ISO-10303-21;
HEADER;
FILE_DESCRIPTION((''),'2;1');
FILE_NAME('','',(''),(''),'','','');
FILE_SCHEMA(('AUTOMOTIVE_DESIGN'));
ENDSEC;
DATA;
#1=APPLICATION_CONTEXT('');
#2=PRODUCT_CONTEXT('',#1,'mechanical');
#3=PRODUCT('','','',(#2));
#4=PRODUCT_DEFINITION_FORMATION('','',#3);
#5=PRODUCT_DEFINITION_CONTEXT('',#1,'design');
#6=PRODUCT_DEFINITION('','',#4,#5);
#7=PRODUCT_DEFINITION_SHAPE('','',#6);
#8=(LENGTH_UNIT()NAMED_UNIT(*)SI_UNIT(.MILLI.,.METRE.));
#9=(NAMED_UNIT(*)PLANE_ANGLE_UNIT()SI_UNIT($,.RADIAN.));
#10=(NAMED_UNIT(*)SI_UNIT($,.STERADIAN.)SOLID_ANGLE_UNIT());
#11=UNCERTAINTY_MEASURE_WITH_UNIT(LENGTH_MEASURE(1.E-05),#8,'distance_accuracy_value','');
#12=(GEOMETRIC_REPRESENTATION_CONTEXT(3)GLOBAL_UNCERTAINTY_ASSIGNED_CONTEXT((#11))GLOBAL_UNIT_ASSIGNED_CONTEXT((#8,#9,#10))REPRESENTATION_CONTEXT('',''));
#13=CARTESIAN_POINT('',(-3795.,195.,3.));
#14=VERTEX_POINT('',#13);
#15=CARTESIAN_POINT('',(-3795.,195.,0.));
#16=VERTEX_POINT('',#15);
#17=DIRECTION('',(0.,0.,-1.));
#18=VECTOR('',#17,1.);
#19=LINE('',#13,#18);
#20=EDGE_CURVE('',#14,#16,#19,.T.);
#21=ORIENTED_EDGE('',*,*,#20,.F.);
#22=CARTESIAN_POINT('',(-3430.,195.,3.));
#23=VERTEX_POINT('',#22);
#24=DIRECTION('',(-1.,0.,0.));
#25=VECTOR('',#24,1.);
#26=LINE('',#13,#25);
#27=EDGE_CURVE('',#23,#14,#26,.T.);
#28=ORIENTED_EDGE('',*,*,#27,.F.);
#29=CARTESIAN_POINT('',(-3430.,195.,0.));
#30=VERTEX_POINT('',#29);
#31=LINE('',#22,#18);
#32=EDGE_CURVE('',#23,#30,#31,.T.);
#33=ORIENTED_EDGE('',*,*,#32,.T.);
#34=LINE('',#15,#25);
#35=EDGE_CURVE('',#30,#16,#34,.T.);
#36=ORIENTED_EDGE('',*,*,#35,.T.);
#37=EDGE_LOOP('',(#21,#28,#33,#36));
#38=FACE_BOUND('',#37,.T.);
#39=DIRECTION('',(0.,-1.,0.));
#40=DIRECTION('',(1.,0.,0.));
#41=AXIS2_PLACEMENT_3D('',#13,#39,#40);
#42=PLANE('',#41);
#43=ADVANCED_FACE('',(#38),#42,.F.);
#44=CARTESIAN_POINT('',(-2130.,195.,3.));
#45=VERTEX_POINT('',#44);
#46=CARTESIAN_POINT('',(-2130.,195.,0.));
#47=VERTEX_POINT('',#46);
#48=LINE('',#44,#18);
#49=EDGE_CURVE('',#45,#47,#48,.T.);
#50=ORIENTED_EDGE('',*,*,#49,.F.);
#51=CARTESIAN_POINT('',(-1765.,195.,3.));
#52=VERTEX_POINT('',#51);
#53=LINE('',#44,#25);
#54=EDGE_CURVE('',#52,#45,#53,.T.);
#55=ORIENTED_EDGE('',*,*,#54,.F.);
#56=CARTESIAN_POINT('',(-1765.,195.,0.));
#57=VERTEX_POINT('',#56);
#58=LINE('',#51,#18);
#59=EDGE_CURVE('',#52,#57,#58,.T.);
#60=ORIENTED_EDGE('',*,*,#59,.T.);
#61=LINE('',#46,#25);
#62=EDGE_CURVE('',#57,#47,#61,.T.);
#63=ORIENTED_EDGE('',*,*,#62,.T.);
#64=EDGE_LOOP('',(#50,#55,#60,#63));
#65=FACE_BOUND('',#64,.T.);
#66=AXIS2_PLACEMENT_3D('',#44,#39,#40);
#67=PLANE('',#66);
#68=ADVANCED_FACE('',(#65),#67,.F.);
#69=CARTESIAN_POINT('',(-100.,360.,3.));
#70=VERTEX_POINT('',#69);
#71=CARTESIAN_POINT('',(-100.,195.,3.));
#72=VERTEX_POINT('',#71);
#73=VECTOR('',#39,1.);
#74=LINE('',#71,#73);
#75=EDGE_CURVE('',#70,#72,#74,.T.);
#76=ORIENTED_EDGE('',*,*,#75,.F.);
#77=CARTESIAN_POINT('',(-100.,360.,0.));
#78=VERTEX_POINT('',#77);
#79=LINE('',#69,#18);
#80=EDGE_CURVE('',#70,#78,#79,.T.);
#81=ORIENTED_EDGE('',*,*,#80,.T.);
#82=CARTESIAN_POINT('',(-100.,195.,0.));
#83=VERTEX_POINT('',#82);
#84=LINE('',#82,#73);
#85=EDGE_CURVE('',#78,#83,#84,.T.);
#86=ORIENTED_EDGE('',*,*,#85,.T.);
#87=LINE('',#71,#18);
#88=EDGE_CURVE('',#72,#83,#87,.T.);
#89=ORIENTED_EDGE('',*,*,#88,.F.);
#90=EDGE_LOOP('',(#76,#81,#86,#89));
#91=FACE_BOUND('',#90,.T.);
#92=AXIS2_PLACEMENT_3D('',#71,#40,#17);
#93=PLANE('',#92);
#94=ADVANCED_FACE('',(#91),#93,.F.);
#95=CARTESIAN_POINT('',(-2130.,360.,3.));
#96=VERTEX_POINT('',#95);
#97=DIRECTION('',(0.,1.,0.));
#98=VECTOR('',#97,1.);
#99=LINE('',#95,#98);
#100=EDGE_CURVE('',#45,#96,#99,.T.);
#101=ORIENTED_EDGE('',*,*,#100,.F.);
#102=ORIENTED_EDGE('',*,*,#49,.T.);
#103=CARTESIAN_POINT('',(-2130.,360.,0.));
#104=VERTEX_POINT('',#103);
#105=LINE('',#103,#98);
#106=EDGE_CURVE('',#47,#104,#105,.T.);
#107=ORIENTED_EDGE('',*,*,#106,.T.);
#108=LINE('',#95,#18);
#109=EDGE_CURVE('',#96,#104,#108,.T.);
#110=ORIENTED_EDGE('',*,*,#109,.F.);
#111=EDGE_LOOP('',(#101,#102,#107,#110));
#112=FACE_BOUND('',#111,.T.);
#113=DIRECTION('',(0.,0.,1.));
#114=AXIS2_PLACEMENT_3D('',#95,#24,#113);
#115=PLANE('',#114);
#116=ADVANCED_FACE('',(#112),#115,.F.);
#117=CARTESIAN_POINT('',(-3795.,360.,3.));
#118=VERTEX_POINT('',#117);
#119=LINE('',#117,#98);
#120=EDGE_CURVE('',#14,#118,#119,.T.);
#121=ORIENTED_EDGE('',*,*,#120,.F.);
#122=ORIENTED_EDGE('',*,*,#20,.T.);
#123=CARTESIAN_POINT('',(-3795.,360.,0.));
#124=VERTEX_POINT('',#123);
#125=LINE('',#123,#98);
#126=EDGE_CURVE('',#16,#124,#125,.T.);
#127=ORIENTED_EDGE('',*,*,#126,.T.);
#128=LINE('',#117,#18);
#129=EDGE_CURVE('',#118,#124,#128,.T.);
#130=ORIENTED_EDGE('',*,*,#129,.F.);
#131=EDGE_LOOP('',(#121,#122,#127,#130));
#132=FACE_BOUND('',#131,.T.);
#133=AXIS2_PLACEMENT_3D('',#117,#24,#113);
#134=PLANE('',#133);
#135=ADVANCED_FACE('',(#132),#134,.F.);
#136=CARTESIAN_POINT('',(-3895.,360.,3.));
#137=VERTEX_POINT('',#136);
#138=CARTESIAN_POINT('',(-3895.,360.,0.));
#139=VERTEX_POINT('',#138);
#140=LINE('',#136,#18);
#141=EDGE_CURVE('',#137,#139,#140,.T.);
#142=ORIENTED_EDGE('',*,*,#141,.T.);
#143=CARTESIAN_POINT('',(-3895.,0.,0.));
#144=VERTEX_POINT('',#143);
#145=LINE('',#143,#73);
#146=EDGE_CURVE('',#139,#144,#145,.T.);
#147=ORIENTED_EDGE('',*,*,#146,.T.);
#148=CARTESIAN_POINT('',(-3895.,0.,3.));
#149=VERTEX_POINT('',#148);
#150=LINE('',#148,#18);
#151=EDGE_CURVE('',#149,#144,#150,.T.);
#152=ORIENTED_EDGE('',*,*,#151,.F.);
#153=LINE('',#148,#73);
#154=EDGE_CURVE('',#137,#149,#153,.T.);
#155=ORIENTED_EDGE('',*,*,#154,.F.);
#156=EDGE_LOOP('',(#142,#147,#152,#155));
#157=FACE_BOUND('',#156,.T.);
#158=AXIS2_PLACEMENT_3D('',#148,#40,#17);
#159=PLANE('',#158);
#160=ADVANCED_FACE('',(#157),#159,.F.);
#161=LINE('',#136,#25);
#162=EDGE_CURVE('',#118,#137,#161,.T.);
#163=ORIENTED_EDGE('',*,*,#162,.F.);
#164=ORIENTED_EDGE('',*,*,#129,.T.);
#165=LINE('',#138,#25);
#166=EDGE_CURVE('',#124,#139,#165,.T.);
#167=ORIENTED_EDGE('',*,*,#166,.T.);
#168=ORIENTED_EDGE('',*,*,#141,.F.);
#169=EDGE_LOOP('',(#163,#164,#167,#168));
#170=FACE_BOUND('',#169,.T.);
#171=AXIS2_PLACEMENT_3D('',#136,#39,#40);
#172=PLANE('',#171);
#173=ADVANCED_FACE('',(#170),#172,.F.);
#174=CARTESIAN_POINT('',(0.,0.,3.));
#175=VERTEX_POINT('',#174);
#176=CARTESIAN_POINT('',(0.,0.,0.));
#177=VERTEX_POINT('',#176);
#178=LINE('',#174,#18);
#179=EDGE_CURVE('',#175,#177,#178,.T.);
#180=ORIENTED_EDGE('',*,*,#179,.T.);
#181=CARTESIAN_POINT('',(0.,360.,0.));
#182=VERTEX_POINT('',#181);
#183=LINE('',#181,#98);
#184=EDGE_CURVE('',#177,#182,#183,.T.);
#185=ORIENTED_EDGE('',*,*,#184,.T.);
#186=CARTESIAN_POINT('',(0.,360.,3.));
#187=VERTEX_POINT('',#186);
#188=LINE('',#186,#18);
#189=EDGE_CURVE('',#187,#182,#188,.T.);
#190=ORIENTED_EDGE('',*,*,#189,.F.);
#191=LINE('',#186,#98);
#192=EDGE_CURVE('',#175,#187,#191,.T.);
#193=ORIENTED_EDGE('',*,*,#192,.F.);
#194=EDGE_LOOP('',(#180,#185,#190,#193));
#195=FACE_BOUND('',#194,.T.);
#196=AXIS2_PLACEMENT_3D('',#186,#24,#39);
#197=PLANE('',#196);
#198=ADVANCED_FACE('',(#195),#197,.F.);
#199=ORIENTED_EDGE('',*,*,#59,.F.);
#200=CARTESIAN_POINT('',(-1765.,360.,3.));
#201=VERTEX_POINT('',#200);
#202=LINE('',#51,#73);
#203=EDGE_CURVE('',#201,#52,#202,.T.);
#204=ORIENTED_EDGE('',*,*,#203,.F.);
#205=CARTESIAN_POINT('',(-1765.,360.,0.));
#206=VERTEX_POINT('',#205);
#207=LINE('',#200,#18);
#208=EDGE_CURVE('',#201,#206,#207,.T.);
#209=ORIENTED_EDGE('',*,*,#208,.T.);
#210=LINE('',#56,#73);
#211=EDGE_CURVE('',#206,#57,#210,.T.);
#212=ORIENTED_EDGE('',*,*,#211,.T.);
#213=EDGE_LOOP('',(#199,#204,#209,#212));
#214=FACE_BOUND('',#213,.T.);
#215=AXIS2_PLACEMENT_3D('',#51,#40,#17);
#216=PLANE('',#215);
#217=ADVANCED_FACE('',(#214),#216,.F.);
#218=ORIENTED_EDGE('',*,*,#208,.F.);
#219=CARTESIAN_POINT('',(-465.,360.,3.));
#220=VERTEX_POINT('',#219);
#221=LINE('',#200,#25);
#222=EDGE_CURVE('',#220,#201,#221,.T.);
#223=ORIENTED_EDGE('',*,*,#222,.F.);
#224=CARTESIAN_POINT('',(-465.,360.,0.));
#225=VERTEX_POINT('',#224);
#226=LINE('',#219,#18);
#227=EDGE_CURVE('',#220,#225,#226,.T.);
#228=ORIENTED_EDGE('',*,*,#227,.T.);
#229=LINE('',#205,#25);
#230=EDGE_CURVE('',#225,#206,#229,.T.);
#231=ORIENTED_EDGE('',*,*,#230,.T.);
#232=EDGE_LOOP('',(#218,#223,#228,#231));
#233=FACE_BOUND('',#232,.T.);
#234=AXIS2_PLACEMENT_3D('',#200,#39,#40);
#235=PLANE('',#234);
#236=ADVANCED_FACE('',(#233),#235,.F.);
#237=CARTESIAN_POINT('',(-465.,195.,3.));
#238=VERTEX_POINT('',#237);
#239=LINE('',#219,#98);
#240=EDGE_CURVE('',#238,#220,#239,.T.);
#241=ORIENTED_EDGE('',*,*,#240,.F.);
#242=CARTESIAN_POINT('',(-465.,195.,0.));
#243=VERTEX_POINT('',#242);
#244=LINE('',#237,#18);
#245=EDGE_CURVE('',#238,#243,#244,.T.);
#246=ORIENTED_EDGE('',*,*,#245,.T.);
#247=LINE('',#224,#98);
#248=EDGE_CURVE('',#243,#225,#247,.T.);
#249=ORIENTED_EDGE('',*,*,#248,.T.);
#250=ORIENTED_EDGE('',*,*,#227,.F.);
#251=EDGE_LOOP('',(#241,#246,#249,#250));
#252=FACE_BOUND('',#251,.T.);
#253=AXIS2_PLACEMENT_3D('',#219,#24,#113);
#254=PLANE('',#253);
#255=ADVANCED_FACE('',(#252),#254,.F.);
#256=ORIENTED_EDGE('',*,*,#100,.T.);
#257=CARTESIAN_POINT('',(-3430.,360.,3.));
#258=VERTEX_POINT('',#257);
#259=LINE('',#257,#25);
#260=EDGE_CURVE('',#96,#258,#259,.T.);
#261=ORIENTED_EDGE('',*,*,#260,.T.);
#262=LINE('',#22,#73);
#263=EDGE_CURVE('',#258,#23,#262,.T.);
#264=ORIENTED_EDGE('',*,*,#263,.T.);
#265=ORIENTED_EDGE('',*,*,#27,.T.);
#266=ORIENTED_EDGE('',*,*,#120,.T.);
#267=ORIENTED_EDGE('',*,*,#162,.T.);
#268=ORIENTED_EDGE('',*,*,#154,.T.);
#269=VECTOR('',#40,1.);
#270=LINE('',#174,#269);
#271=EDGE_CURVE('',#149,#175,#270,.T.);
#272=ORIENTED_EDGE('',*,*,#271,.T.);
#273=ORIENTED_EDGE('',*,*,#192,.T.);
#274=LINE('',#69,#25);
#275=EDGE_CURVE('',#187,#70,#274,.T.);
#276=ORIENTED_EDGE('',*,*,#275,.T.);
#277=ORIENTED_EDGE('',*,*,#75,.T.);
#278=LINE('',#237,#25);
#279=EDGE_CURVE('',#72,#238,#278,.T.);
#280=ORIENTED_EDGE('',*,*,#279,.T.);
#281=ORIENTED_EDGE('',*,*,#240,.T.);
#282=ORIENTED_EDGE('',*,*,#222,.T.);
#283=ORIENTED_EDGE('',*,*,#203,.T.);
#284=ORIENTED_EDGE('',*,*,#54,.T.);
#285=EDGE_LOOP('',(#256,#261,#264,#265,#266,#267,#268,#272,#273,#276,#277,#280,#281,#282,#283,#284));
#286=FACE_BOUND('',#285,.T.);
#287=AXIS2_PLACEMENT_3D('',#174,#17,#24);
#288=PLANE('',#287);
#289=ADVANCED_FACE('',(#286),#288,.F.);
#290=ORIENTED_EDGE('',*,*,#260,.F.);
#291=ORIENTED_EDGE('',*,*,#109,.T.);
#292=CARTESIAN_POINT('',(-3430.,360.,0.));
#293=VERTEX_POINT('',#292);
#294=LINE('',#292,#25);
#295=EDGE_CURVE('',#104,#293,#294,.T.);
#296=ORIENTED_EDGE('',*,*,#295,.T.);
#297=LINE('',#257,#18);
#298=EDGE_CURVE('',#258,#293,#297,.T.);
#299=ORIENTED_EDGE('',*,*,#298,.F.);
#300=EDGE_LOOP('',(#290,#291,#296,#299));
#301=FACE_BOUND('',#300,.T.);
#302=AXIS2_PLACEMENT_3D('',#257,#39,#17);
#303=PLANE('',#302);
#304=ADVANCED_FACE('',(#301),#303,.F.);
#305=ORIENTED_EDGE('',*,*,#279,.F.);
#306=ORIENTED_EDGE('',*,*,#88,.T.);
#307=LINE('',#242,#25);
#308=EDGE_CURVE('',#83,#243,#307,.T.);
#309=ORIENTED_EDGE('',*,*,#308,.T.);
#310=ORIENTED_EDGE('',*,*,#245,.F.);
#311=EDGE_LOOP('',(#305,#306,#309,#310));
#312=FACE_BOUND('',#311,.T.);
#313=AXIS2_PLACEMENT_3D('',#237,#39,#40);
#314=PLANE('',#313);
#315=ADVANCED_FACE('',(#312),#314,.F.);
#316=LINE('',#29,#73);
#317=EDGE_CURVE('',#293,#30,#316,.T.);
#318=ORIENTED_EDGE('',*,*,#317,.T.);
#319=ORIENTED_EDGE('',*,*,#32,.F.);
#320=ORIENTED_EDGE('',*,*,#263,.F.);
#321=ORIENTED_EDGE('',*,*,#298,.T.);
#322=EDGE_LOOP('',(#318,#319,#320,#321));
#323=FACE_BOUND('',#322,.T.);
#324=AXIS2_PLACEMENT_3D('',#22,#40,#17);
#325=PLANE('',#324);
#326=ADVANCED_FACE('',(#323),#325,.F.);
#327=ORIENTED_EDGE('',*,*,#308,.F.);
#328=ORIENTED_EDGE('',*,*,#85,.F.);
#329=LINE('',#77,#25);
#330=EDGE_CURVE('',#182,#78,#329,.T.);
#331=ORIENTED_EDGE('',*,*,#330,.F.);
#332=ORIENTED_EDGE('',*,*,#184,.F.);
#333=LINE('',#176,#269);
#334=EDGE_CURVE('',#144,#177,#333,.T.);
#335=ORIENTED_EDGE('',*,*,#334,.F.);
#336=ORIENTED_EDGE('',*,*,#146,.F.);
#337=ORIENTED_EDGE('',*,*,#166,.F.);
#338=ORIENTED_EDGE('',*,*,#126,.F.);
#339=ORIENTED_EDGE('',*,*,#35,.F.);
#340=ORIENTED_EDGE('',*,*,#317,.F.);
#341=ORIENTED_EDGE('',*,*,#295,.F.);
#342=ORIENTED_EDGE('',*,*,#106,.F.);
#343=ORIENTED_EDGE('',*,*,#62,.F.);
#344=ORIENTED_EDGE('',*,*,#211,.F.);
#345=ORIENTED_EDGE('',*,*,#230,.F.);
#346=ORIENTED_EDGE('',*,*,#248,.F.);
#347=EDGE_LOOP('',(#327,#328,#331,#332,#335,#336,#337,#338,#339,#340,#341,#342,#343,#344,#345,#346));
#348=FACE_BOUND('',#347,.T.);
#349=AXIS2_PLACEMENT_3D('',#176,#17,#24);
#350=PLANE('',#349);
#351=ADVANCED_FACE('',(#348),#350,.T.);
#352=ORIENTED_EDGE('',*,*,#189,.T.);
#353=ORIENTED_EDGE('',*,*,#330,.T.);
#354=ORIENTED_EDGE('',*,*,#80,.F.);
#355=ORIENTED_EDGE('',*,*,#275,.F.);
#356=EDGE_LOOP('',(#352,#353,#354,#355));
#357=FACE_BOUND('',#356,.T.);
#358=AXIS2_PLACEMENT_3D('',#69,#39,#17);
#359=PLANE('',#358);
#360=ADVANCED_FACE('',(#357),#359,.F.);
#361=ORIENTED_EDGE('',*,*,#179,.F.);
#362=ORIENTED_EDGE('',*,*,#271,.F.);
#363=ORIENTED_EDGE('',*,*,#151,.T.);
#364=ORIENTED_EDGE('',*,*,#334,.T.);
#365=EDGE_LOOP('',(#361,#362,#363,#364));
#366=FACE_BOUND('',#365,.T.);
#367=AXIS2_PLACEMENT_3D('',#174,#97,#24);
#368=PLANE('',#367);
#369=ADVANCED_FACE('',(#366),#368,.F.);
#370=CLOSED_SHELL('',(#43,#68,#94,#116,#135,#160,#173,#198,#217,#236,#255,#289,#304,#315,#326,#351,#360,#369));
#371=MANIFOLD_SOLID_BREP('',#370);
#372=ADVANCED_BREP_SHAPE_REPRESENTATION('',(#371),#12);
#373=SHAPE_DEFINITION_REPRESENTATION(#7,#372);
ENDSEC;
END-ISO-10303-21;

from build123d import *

# Parameters (mm, degrees)
BOSS_EXTRU_1_DEPTH = 3


with BuildPart() as part:
    # Esquisse1 → Boss.-Extru.1 (new body)
    with BuildSketch(Plane.XY):
        Polygon((0, 0), (-3895, 0), (-3895, 360), (-3795, 360), (-3795, 195), (-3430, 195), (-3430, 360), (-2130, 360), (-2130, 195), (-1765, 195), (-1765, 360), (-465, 360), (-465, 195), (-100, 195), (-100, 360), (0, 360), align=None)
    extrude(amount=BOSS_EXTRU_1_DEPTH)


solid = part.part
